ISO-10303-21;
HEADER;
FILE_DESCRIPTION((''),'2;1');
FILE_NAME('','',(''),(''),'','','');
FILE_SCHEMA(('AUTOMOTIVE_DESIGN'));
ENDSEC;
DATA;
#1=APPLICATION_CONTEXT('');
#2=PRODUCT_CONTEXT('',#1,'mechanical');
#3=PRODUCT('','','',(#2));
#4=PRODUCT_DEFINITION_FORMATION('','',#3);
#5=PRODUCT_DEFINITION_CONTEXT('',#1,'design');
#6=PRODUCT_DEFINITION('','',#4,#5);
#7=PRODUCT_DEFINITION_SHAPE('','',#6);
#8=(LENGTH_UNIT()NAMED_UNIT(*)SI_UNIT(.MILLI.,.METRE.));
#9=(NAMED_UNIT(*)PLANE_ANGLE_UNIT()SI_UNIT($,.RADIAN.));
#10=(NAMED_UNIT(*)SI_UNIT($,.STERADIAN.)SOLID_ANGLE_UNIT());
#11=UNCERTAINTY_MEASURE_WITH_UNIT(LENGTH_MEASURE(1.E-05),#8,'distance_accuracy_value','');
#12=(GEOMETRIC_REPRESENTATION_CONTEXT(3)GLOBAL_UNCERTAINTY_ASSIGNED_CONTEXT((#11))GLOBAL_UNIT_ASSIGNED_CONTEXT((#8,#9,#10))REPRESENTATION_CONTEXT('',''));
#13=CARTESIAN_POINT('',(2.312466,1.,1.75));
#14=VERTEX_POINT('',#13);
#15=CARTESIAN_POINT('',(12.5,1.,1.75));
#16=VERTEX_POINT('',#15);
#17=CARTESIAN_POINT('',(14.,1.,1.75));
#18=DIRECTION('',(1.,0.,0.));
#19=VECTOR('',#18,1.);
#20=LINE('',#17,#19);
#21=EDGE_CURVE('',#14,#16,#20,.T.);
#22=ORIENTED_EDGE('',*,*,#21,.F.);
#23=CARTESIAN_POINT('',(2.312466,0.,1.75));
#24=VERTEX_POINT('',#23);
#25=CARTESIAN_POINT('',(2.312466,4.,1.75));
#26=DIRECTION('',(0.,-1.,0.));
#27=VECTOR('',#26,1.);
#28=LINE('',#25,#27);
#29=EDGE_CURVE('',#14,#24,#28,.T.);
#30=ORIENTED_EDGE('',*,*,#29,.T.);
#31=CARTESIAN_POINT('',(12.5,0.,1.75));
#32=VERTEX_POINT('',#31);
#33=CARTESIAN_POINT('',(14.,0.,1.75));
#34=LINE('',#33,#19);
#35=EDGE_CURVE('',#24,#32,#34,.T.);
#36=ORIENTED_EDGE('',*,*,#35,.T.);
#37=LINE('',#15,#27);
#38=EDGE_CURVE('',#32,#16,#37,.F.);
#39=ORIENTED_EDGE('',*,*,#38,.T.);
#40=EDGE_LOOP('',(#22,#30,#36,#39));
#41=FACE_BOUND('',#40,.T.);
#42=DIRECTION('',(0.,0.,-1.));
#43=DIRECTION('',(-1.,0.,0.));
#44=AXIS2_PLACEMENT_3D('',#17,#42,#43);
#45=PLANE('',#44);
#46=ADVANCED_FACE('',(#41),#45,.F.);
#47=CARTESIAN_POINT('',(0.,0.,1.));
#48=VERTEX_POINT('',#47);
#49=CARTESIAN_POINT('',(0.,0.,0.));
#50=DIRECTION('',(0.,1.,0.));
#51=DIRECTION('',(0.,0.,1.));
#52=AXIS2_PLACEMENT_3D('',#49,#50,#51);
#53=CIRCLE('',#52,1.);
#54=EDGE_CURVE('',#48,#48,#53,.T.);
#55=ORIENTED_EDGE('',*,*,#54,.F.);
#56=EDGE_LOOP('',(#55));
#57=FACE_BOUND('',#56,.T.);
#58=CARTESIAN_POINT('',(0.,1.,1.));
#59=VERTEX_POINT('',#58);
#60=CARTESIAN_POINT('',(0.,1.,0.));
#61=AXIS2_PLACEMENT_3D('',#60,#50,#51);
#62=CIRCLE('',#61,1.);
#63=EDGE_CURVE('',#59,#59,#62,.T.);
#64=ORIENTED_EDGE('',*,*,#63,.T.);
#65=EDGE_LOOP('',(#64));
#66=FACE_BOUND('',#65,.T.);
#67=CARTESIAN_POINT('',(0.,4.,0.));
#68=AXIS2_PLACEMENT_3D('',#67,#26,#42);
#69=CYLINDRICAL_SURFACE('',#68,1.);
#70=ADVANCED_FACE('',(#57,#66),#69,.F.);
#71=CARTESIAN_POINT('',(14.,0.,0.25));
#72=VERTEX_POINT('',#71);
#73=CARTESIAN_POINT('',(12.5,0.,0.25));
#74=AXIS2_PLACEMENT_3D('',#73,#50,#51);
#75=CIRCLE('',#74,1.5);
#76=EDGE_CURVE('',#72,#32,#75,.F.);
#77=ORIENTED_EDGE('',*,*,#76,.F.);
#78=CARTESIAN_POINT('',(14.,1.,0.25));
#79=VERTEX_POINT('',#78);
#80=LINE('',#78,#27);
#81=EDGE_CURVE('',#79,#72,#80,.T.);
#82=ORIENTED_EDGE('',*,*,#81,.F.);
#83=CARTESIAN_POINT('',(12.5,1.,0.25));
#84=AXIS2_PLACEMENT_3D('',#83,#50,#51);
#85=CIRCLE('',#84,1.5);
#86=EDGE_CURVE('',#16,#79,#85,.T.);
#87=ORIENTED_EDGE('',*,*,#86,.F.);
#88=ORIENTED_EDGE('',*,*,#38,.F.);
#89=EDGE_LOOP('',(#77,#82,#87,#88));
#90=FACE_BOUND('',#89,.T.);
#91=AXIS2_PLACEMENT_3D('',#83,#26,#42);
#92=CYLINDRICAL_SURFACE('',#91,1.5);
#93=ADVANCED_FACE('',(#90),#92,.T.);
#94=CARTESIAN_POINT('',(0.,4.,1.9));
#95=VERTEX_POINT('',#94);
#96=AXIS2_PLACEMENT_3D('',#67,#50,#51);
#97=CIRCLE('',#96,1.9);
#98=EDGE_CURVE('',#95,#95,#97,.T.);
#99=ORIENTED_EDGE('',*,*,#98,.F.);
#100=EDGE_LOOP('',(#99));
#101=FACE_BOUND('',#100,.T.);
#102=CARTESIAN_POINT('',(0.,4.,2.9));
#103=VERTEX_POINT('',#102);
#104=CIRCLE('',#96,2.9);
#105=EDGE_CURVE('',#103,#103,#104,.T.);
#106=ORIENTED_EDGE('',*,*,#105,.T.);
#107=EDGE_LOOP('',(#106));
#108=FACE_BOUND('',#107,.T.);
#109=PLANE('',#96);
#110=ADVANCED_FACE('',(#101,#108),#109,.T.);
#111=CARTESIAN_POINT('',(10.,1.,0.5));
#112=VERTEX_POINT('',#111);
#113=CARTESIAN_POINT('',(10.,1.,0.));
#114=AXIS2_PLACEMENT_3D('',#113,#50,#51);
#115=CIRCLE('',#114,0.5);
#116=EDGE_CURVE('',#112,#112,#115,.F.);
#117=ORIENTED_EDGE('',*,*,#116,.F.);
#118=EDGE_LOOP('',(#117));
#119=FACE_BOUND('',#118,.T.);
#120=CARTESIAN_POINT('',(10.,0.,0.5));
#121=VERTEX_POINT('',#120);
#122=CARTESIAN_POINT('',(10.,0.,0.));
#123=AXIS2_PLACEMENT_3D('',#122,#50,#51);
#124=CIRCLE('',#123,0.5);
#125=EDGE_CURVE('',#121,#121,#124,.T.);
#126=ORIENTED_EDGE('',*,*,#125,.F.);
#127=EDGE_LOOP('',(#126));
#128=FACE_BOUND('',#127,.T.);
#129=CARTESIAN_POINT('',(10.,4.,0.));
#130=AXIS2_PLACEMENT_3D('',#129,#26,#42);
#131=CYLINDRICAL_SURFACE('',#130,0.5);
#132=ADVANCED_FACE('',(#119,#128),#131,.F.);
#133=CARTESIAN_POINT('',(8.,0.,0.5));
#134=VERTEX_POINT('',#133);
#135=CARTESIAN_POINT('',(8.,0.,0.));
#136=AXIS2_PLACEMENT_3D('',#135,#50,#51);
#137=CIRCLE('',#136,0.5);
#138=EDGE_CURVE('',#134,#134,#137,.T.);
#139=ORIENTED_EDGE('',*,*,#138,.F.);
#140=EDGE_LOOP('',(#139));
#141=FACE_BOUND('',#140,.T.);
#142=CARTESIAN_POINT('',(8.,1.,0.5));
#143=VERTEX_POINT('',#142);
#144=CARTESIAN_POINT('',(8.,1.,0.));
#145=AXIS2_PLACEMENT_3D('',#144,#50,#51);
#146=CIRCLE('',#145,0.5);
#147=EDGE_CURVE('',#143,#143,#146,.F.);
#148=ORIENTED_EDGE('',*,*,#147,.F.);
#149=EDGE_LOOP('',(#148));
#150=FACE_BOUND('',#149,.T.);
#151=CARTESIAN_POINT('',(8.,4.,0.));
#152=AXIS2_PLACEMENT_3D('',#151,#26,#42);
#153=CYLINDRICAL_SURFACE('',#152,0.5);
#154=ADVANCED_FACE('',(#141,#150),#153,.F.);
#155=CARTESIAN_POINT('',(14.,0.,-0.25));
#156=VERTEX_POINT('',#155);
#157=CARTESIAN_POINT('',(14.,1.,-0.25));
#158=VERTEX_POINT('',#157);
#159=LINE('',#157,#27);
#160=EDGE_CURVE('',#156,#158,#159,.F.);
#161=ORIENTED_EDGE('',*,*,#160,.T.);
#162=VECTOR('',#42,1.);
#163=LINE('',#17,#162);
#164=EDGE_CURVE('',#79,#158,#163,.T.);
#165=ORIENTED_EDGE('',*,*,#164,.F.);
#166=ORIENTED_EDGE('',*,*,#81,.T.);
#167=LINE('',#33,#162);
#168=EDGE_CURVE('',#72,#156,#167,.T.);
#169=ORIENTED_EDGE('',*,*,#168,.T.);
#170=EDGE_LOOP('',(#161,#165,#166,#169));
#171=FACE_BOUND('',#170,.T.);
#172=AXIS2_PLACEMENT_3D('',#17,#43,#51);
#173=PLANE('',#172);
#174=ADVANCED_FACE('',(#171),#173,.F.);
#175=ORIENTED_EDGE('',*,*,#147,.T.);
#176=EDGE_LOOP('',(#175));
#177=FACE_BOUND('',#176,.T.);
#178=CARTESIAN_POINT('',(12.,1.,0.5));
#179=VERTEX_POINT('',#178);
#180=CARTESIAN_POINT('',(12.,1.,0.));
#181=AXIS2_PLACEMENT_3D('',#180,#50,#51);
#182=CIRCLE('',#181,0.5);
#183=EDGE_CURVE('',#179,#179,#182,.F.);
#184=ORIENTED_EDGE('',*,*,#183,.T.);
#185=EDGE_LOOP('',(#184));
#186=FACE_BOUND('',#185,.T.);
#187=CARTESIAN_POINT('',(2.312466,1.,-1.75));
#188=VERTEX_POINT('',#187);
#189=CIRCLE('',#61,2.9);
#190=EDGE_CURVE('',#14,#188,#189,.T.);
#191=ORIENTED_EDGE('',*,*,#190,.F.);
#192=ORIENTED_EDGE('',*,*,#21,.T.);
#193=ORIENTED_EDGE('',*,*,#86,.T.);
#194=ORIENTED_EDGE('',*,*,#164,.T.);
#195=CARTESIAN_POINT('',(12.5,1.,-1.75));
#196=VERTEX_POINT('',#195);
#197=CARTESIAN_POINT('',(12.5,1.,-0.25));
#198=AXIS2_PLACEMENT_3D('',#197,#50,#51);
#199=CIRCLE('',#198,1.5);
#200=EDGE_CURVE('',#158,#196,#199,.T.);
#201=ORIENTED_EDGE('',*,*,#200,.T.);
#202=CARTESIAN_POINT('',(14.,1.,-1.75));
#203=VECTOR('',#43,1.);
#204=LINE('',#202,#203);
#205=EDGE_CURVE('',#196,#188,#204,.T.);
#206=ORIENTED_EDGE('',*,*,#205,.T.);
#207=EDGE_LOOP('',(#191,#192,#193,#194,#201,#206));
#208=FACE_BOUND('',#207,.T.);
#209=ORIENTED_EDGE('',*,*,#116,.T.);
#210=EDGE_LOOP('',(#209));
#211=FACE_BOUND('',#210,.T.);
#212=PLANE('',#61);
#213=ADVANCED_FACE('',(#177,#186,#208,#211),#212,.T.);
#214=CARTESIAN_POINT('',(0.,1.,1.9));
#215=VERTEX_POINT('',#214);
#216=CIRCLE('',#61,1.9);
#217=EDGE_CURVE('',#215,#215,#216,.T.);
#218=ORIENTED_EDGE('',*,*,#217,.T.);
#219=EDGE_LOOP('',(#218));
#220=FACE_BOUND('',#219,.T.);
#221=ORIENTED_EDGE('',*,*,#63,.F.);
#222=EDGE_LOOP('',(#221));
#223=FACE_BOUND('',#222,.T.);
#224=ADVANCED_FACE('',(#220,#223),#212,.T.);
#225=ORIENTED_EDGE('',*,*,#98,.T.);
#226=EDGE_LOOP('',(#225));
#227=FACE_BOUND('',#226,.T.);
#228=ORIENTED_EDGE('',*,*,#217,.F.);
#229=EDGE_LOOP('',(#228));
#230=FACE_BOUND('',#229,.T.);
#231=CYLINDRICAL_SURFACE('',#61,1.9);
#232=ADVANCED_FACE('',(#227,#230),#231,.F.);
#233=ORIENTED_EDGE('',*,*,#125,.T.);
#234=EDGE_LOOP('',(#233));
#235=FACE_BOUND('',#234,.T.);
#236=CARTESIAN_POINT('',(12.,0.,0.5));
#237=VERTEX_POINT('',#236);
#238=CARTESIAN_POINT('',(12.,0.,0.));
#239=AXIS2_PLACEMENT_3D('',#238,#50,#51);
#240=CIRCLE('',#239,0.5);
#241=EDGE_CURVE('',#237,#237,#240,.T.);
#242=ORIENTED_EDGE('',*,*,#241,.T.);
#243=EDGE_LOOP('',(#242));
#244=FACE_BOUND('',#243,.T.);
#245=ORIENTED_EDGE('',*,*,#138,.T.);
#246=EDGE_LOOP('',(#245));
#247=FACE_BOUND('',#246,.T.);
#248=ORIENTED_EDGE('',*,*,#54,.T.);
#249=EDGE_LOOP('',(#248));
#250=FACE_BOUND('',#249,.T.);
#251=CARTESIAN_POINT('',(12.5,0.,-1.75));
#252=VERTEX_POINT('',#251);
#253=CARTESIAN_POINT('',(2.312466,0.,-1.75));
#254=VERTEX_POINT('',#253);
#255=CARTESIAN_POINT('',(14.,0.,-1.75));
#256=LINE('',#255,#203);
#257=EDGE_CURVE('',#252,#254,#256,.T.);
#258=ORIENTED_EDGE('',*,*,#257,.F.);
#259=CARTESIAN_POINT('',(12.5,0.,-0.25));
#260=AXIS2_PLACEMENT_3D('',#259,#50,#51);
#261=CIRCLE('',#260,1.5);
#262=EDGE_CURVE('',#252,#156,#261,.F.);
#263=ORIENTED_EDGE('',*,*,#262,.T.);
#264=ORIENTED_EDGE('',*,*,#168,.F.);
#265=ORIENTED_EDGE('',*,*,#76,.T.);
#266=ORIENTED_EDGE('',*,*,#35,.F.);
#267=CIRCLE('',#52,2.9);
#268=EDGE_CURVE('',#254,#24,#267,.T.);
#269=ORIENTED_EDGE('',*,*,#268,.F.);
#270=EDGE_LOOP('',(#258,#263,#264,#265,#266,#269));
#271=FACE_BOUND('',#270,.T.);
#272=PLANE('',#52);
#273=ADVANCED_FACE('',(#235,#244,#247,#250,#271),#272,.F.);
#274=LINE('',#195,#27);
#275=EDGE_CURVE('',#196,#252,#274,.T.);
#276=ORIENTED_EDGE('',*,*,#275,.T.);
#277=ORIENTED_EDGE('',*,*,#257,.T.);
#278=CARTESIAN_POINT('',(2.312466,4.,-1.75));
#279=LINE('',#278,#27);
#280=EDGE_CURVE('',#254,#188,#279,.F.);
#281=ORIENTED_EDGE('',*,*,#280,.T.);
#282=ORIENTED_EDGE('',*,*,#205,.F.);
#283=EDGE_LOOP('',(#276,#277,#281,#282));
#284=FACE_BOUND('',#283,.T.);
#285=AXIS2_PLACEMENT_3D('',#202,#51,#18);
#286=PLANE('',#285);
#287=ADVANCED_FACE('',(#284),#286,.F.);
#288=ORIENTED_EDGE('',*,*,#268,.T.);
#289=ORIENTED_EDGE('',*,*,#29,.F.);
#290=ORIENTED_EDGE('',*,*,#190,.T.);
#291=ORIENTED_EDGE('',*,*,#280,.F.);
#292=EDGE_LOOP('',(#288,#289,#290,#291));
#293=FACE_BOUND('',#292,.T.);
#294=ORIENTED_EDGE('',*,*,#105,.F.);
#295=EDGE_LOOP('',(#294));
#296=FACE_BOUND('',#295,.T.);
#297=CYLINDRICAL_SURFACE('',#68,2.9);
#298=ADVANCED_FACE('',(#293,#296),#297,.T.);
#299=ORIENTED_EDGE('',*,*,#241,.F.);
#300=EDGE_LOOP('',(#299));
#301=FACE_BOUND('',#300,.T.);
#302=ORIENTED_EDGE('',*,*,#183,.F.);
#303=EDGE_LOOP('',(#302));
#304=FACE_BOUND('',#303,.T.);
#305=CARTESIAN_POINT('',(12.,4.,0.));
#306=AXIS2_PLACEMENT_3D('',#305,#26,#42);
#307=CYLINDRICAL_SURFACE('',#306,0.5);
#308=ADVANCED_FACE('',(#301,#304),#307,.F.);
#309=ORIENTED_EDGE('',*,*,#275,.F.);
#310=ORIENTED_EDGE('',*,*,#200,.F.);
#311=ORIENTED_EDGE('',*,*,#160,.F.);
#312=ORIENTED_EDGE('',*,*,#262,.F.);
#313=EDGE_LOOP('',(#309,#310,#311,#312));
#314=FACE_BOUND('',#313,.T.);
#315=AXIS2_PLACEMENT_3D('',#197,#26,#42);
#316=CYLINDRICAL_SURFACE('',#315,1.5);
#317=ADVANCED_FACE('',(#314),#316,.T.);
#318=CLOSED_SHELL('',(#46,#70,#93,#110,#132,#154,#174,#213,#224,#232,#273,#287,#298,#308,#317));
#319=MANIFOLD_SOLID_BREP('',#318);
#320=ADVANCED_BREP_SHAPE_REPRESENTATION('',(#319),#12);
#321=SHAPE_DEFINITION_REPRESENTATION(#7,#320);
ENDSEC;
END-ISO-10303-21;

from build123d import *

# Parameters (mm, degrees)
SKETCH_1_R          = 2.9
EXTRUDE_1_DEPTH     = 4
SKETCH_2_W          = 12.628096459
SKETCH_2_H          = 3.5
EXTRUDE_2_DEPTH     = 1
SKETCH_3_R          = 0.5
SKETCH_3_R_2        = 1
CUT_EXTRUDE_1_DEPTH = 5
FILLET_1_R          = 1.5
SKETCH_4_R          = 1.9
CUT_EXTRUDE_2_DEPTH = 3


with BuildPart() as part:
    # 草图1 → 凸台-拉伸1 (new body)
    with BuildSketch(Plane(origin=(0, 0, 0), x_dir=(1, 0, 0), z_dir=(0, 1, 0))):
        Circle(SKETCH_1_R)
    extrude(amount=EXTRUDE_1_DEPTH)

    # 草图2 → 凸台-拉伸2 (add)
    with BuildSketch(Plane(origin=(0, 0, 0), x_dir=(1, 0, 0), z_dir=(0, 1, 0))):
        with Locations((7.685951771, 0)):
            Rectangle(SKETCH_2_W, SKETCH_2_H)
    extrude(amount=EXTRUDE_2_DEPTH)

    # 草图3 → 切除-拉伸1 (cut, through all)
    with BuildSketch(Plane(origin=(0, 0, 0), x_dir=(1, 0, 0), z_dir=(0, 1, 0))):
        with Locations((8, 0)):
            Circle(SKETCH_3_R)
        with Locations((12, 0)):
            Circle(SKETCH_3_R)
        with Locations((10, 0)):
            Circle(SKETCH_3_R)
        Circle(SKETCH_3_R_2)
    extrude(amount=CUT_EXTRUDE_1_DEPTH, mode=Mode.SUBTRACT)

    # 圆角1
    fillet_1_edges = [part.edges().sort_by_distance(p)[0] for p in [
        (14, 0.5, -1.75),
        (14, 0.5, 1.75),
    ]]
    fillet(fillet_1_edges, radius=FILLET_1_R)

    # 草图4 → 切除-拉伸2 (cut)
    with BuildSketch(Plane(origin=(0, 4, 0), x_dir=(1, 0, 0), z_dir=(0, 1, 0))):
        Circle(SKETCH_4_R)
    extrude(amount=-CUT_EXTRUDE_2_DEPTH, mode=Mode.SUBTRACT)


solid = part.part
